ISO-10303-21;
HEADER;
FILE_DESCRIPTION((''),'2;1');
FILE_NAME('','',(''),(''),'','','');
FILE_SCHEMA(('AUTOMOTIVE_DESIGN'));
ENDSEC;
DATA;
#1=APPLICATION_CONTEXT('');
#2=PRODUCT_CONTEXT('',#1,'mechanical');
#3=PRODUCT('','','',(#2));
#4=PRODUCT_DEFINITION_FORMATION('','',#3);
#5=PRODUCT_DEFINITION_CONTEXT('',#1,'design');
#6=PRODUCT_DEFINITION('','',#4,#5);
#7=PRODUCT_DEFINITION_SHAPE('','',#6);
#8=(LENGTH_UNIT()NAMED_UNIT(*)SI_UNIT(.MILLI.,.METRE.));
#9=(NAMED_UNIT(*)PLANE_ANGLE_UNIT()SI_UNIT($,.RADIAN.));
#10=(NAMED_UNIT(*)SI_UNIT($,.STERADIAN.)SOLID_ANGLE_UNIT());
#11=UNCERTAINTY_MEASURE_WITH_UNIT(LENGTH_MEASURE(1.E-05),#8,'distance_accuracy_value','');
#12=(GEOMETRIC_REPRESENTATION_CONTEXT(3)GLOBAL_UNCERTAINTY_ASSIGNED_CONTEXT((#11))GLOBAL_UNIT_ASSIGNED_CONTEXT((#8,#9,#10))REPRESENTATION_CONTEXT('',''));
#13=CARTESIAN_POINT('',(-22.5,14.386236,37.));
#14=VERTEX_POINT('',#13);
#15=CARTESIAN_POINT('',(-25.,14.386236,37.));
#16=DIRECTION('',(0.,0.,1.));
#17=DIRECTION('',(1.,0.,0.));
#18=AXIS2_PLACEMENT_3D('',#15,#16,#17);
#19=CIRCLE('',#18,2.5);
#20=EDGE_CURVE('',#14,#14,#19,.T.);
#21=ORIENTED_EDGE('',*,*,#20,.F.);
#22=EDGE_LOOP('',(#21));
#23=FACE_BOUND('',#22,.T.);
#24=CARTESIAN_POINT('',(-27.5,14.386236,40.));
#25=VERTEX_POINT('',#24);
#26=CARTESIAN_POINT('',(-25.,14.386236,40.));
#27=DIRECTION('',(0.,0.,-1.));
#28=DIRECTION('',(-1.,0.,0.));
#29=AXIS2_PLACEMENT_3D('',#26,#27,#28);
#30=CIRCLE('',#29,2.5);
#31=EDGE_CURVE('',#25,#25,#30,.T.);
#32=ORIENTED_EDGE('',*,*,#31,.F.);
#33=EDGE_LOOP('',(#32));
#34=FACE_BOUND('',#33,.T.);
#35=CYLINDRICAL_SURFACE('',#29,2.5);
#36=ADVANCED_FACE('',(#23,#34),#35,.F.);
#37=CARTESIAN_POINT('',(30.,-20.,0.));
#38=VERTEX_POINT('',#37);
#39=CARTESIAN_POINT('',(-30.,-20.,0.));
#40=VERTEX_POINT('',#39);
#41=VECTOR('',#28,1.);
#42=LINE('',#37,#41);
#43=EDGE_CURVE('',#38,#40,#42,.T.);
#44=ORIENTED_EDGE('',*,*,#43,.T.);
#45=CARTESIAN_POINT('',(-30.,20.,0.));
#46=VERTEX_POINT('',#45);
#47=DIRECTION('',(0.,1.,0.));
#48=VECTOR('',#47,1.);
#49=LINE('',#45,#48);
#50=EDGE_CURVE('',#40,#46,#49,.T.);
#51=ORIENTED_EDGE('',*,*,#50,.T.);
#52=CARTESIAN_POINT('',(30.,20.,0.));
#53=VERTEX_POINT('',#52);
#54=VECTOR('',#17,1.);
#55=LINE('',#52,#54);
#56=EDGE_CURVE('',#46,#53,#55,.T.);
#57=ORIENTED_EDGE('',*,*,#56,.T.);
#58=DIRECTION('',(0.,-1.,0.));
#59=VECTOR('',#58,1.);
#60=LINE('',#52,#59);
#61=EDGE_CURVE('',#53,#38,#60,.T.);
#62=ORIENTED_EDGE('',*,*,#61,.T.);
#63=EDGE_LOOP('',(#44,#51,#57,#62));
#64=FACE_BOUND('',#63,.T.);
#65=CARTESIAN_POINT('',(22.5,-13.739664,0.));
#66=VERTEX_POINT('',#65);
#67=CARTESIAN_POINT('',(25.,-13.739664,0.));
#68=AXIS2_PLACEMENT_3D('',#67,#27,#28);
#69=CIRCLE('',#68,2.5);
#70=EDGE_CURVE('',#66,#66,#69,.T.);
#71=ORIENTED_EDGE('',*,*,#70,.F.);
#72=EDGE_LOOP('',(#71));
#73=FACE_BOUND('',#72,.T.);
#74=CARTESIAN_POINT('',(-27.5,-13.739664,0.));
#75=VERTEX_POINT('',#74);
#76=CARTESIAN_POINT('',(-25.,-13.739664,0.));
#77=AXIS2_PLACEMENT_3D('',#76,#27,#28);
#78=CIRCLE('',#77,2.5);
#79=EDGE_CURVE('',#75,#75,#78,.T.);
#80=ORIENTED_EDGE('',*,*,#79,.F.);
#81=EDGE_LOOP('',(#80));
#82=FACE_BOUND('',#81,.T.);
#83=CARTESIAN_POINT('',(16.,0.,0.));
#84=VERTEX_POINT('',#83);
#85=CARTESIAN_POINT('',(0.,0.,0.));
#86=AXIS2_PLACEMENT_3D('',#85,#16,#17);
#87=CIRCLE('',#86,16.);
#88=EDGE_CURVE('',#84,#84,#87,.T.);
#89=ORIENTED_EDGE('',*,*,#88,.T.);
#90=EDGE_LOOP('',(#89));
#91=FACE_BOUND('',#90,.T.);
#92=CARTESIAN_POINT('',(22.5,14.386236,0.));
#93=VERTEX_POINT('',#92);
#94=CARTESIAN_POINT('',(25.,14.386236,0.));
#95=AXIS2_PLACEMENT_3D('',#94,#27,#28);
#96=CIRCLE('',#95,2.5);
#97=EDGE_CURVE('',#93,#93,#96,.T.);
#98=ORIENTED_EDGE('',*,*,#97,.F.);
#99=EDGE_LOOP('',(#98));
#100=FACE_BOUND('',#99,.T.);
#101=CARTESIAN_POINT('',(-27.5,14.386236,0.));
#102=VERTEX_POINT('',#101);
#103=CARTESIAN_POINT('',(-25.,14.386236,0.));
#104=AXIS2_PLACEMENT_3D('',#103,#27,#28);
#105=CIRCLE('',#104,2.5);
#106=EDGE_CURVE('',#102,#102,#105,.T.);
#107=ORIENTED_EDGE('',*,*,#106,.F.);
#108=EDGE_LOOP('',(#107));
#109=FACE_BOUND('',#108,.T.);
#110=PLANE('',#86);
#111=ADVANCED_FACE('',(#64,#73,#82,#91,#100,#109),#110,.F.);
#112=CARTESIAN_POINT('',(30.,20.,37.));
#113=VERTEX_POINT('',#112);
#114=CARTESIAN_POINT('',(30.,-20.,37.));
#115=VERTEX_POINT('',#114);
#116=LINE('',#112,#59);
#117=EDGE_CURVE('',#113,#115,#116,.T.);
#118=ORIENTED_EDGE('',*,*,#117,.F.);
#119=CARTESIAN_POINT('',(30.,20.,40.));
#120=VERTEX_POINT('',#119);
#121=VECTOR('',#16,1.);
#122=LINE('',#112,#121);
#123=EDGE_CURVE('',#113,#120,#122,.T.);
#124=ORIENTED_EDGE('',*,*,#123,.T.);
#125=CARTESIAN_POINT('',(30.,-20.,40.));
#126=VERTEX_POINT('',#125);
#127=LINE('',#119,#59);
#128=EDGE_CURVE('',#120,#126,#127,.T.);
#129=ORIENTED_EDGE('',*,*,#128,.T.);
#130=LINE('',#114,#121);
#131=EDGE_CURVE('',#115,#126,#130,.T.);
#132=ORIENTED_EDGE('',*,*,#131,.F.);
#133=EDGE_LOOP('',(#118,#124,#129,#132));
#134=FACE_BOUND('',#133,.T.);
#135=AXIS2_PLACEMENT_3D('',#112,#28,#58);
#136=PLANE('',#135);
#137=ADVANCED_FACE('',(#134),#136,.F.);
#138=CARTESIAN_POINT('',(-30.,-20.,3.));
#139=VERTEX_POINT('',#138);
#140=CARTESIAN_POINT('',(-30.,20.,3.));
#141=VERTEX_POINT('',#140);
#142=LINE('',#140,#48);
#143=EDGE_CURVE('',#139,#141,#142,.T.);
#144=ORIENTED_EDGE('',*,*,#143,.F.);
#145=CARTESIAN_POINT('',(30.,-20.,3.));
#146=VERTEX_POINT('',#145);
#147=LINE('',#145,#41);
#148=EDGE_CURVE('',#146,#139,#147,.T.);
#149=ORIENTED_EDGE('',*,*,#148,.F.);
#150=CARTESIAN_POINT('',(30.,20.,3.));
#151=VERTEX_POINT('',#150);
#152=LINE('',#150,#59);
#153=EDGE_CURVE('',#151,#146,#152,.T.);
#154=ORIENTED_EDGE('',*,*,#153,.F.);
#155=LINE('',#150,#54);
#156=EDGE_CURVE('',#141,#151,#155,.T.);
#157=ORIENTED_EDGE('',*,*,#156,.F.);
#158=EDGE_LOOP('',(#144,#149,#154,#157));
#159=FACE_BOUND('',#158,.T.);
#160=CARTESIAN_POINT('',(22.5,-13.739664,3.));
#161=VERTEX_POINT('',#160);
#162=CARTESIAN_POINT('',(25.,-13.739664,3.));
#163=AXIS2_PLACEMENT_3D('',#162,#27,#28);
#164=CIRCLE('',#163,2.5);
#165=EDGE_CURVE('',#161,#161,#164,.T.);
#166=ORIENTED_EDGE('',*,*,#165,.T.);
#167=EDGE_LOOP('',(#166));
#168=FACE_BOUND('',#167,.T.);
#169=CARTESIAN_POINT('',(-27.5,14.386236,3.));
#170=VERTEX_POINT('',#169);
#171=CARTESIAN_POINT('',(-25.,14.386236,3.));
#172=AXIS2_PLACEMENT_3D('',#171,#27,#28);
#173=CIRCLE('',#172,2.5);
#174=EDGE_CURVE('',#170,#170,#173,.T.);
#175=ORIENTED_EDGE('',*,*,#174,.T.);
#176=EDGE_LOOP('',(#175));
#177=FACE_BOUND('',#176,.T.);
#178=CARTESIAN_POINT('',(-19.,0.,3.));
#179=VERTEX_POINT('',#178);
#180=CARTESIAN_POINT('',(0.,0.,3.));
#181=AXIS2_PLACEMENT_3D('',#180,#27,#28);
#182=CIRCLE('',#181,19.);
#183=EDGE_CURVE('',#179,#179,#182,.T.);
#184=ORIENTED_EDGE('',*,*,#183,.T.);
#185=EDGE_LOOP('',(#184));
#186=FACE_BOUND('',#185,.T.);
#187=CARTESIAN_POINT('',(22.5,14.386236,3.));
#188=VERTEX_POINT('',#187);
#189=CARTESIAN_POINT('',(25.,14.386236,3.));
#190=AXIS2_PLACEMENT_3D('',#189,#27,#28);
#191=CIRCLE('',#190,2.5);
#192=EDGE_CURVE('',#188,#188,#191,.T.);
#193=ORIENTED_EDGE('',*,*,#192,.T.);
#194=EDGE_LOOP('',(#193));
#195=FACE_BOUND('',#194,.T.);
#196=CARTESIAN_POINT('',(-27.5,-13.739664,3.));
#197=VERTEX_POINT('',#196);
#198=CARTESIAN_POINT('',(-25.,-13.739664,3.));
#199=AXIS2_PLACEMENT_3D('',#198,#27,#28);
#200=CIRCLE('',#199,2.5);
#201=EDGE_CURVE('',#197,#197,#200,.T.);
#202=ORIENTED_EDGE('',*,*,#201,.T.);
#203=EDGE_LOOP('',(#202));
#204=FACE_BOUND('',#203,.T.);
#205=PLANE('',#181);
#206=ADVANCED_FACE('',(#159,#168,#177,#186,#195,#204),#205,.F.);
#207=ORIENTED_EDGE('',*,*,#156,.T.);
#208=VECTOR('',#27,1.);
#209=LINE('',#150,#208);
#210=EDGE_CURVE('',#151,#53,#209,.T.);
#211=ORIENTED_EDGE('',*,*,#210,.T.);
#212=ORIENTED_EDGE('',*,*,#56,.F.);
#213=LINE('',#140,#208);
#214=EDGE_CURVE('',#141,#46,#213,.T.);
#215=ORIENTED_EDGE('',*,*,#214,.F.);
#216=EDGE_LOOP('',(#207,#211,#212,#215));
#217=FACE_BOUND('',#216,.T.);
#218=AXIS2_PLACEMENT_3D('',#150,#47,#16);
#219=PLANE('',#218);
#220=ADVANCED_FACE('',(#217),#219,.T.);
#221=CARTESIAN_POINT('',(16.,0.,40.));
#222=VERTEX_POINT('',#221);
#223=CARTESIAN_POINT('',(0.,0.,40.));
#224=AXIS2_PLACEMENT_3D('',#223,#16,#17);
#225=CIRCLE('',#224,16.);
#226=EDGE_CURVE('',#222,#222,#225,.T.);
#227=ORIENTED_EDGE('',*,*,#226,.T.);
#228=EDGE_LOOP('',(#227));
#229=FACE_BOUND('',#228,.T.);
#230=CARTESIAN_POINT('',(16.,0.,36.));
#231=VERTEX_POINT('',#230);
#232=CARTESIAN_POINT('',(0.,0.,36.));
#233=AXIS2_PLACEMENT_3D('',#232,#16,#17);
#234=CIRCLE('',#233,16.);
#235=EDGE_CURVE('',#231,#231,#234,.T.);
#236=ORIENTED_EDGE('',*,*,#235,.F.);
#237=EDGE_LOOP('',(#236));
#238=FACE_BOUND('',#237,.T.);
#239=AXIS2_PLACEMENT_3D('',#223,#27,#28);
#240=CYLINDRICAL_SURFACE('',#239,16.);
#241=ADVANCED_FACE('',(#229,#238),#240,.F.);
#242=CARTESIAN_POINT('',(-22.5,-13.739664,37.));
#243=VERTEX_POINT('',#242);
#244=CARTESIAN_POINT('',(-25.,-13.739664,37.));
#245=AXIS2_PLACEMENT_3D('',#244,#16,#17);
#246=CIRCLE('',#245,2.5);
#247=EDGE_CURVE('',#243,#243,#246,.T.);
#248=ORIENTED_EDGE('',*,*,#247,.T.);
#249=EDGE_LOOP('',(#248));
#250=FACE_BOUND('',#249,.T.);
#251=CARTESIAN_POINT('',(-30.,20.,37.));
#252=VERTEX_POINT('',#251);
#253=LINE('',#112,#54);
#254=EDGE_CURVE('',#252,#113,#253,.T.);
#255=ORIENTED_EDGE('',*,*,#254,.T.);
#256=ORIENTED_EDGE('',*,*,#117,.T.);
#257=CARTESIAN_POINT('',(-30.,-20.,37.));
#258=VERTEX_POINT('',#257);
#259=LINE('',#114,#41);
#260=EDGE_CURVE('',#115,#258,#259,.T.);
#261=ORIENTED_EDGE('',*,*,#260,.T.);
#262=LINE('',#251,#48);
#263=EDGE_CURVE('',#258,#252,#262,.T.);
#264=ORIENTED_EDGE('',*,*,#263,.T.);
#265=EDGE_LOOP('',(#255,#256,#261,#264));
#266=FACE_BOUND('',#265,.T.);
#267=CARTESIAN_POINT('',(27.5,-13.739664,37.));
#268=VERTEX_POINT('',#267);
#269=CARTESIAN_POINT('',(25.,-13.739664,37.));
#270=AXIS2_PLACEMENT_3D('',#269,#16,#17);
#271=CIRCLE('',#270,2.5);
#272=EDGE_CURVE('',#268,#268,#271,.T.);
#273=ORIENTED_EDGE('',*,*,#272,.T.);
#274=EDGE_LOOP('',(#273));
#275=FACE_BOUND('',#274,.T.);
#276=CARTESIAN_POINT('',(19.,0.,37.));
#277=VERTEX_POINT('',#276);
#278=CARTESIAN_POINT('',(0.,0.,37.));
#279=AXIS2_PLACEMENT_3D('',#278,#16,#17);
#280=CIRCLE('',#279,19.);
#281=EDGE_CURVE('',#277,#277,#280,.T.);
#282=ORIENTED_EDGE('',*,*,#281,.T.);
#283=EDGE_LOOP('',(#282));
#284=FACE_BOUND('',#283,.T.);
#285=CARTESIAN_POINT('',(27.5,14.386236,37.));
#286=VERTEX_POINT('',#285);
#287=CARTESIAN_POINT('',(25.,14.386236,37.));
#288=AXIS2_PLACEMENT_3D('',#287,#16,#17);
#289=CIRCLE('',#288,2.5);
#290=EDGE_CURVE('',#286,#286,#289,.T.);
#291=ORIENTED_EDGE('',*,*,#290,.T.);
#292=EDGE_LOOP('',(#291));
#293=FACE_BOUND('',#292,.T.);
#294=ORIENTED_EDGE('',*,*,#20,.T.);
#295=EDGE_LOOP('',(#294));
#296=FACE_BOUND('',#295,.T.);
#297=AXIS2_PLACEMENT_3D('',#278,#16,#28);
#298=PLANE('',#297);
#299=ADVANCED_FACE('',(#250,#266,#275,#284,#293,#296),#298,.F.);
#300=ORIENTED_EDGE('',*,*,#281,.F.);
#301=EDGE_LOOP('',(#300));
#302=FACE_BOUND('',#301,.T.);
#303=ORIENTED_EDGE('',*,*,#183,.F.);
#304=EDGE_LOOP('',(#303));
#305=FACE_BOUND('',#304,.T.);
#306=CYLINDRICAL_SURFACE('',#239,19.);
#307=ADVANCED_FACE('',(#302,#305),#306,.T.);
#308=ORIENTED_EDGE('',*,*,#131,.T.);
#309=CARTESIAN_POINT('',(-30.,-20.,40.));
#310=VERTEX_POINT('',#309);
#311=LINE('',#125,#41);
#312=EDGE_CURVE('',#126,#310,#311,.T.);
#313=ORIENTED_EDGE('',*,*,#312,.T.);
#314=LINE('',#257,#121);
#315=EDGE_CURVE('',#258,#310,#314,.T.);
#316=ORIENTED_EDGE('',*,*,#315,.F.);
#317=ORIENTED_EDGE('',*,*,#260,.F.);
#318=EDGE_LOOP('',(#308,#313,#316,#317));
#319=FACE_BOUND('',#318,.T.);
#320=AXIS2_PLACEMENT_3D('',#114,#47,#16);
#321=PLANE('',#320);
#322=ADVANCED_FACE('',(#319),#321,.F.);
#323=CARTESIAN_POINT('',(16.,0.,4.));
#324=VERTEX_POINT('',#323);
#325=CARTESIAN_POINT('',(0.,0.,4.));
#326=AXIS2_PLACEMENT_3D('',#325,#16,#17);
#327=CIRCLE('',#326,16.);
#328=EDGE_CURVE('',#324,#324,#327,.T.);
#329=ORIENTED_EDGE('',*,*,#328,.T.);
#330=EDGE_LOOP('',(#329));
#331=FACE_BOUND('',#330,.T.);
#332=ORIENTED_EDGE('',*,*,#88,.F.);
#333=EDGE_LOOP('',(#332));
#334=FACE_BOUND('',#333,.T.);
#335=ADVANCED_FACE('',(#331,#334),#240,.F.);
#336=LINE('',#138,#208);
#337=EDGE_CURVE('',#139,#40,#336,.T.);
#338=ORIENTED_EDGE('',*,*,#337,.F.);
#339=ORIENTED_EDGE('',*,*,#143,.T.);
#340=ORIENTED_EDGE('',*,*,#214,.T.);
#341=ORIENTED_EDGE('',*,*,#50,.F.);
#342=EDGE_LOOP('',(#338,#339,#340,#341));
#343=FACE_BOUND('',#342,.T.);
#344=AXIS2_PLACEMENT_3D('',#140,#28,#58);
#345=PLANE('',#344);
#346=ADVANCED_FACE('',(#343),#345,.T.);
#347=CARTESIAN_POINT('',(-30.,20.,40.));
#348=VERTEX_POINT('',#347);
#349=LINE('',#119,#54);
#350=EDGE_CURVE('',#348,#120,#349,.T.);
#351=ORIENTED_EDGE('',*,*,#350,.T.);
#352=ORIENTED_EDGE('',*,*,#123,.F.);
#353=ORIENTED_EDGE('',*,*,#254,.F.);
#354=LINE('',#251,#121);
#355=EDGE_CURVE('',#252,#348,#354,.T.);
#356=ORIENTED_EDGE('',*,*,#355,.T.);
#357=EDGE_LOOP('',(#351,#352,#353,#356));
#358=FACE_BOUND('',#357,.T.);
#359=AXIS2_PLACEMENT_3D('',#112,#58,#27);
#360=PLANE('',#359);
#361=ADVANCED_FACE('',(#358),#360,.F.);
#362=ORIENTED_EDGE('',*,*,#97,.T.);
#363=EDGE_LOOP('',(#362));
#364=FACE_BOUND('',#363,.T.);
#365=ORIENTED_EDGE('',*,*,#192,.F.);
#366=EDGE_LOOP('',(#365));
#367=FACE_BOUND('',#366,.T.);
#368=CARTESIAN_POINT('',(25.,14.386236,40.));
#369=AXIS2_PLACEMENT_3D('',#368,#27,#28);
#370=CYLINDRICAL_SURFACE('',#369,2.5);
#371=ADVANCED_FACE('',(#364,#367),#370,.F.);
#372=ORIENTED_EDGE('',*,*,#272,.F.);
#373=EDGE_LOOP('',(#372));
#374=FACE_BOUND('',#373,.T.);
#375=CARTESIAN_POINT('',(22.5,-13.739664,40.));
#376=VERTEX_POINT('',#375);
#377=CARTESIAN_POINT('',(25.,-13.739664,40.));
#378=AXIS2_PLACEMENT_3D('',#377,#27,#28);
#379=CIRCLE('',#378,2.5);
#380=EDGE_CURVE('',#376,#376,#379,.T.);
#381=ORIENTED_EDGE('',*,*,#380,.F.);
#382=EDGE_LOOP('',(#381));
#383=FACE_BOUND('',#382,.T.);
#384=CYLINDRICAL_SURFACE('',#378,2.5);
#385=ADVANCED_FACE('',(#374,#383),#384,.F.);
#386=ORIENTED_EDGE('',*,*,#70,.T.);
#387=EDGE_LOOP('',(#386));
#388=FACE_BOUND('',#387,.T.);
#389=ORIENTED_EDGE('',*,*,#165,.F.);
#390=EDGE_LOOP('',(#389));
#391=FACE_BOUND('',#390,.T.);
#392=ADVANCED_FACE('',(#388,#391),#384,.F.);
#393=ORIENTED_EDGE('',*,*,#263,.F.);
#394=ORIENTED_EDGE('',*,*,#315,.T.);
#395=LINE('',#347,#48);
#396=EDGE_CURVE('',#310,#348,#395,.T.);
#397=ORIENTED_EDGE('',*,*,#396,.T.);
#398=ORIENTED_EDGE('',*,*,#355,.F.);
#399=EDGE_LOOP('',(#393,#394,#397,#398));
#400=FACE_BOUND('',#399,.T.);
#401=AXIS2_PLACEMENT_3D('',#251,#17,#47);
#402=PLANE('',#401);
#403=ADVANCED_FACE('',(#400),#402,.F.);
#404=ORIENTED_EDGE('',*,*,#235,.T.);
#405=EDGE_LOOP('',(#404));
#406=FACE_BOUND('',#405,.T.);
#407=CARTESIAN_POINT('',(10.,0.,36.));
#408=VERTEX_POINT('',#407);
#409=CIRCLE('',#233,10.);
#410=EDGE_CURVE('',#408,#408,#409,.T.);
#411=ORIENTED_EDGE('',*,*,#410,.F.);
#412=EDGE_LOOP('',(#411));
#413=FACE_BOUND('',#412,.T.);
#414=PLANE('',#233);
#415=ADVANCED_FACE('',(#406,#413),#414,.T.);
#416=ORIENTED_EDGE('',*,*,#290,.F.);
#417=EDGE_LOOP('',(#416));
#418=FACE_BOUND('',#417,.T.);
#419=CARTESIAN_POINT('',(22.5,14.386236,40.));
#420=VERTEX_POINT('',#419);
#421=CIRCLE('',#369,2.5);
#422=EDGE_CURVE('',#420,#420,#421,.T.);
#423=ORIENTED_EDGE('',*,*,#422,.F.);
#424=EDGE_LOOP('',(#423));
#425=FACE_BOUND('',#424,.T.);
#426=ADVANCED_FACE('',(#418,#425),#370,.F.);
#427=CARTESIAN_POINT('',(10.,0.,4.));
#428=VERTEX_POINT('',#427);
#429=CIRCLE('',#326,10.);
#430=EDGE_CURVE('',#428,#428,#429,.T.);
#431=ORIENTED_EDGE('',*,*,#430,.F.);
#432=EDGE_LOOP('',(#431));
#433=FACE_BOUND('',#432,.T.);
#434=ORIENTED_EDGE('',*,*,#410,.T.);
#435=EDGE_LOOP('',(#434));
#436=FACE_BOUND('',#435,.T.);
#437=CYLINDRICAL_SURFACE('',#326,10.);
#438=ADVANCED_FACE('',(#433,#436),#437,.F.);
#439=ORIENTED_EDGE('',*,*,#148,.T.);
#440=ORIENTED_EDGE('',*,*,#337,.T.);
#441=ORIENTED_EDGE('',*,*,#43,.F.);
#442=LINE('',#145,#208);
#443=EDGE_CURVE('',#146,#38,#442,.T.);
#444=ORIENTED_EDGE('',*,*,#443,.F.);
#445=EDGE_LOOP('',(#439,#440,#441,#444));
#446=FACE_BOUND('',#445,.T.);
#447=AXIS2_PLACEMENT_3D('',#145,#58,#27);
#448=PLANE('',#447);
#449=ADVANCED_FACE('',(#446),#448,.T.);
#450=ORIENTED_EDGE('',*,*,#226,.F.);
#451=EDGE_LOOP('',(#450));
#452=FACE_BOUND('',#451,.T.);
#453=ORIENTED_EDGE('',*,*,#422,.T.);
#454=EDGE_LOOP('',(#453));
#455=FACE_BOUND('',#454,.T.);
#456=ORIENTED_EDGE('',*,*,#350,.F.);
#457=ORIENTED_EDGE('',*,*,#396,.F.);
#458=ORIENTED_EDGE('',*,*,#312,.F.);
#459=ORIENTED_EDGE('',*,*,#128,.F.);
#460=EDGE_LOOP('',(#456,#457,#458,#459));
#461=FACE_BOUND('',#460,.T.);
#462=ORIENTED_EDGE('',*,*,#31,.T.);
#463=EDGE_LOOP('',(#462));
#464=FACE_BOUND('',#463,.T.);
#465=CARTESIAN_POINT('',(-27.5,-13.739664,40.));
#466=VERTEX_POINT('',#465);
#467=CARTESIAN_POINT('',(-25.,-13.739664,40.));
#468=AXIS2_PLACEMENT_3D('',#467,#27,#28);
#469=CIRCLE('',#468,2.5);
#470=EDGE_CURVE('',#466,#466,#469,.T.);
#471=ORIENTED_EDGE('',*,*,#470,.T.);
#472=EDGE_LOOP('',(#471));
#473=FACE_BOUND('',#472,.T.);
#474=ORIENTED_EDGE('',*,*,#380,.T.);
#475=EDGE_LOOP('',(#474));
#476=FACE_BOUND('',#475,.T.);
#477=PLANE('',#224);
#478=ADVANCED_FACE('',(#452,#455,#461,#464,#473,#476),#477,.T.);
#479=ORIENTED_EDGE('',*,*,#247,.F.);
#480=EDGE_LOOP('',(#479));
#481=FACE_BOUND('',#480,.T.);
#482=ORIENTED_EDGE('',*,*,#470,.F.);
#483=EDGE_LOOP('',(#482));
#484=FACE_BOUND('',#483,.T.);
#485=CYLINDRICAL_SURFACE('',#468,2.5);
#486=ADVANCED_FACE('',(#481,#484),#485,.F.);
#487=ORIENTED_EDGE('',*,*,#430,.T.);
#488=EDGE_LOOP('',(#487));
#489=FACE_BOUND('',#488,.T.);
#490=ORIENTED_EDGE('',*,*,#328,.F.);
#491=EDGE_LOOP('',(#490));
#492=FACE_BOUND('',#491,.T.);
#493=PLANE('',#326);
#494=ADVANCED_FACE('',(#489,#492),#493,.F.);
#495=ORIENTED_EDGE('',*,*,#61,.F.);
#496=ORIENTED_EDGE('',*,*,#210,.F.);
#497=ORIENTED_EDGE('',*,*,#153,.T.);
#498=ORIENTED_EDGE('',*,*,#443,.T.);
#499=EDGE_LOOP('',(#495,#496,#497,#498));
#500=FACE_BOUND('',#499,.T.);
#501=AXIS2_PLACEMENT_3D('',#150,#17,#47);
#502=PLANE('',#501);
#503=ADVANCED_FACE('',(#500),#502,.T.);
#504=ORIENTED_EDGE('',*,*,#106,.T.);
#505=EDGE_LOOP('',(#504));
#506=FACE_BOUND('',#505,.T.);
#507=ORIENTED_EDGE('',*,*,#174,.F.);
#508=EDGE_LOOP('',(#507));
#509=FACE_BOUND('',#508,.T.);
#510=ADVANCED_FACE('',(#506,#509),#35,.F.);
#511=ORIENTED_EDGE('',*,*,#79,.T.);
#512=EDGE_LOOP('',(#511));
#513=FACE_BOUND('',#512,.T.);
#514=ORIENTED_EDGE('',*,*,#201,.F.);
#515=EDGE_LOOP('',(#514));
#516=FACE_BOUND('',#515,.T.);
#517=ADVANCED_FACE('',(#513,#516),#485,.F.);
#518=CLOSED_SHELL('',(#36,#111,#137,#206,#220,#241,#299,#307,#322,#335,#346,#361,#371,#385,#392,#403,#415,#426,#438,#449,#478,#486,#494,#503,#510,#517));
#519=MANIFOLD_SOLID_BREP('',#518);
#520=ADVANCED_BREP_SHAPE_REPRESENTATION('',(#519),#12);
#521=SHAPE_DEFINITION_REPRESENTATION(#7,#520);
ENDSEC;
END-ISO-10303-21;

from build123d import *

# Parameters (mm, degrees)
SKETCH1_R                = 19
SKETCH1_R_2              = 16
BOSS_EXTRUDE1_DEPTH      = 40
SKETCH2_W                = 60
SKETCH2_H                = 40
SKETCH2_R                = 19
BOSS_EXTRUDE2_DEPTH      = 3
SKETCH4_R                = 2.5
CUT_EXTRUDE1_DEPTH       = 54.851648071
BOSS_EXTRUDE3_DEPTH      = 16
BOSS_EXTRUDE3_DEPTH_BACK = 16
SKETCH6_R                = 16
SKETCH6_R_2              = 10


with BuildPart() as part:
    # Sketch1 → Boss-Extrude1 (new body)
    with BuildSketch(Plane.XY):
        Circle(SKETCH1_R)
        Circle(SKETCH1_R_2, mode=Mode.SUBTRACT)
    extrude(amount=BOSS_EXTRUDE1_DEPTH)

    # Sketch2 → Boss-Extrude2 (add)
    with BuildSketch(Plane(origin=(0, 0, 0), x_dir=(-1, 0, 0), z_dir=(0, 0, -1))):
        Rectangle(SKETCH2_W, SKETCH2_H)
        Circle(SKETCH2_R, mode=Mode.SUBTRACT)
    boss_extrude2 = extrude(amount=-BOSS_EXTRUDE2_DEPTH)

    # Mirror1: Boss-Extrude2 across plane
    add(boss_extrude2.mirror(Plane.XY.offset(20)))

    # Sketch4 → Cut-Extrude1 (cut, through all)
    with BuildSketch(Plane(origin=(0, 0, 0), x_dir=(-1, 0, 0), z_dir=(0, 0, -1))):
        with Locations((-25, 14.38623609)):
            Circle(SKETCH4_R)
        with Locations((25, 14.38623609)):
            Circle(SKETCH4_R)
        with Locations((-25, -13.739663681)):
            Circle(SKETCH4_R)
        with Locations((25, -13.739663681)):
            Circle(SKETCH4_R)
    extrude(amount=-CUT_EXTRUDE1_DEPTH, mode=Mode.SUBTRACT)

    # Sketch6 → Boss-Extrude3 (add, two sides: drawn at the far end of the back side and taken through both)
    with BuildSketch(Plane.XY.offset(20).offset(-BOSS_EXTRUDE3_DEPTH_BACK)):
        Circle(SKETCH6_R)
        Circle(SKETCH6_R_2, mode=Mode.SUBTRACT)
    extrude(amount=BOSS_EXTRUDE3_DEPTH + BOSS_EXTRUDE3_DEPTH_BACK)


solid = part.part
